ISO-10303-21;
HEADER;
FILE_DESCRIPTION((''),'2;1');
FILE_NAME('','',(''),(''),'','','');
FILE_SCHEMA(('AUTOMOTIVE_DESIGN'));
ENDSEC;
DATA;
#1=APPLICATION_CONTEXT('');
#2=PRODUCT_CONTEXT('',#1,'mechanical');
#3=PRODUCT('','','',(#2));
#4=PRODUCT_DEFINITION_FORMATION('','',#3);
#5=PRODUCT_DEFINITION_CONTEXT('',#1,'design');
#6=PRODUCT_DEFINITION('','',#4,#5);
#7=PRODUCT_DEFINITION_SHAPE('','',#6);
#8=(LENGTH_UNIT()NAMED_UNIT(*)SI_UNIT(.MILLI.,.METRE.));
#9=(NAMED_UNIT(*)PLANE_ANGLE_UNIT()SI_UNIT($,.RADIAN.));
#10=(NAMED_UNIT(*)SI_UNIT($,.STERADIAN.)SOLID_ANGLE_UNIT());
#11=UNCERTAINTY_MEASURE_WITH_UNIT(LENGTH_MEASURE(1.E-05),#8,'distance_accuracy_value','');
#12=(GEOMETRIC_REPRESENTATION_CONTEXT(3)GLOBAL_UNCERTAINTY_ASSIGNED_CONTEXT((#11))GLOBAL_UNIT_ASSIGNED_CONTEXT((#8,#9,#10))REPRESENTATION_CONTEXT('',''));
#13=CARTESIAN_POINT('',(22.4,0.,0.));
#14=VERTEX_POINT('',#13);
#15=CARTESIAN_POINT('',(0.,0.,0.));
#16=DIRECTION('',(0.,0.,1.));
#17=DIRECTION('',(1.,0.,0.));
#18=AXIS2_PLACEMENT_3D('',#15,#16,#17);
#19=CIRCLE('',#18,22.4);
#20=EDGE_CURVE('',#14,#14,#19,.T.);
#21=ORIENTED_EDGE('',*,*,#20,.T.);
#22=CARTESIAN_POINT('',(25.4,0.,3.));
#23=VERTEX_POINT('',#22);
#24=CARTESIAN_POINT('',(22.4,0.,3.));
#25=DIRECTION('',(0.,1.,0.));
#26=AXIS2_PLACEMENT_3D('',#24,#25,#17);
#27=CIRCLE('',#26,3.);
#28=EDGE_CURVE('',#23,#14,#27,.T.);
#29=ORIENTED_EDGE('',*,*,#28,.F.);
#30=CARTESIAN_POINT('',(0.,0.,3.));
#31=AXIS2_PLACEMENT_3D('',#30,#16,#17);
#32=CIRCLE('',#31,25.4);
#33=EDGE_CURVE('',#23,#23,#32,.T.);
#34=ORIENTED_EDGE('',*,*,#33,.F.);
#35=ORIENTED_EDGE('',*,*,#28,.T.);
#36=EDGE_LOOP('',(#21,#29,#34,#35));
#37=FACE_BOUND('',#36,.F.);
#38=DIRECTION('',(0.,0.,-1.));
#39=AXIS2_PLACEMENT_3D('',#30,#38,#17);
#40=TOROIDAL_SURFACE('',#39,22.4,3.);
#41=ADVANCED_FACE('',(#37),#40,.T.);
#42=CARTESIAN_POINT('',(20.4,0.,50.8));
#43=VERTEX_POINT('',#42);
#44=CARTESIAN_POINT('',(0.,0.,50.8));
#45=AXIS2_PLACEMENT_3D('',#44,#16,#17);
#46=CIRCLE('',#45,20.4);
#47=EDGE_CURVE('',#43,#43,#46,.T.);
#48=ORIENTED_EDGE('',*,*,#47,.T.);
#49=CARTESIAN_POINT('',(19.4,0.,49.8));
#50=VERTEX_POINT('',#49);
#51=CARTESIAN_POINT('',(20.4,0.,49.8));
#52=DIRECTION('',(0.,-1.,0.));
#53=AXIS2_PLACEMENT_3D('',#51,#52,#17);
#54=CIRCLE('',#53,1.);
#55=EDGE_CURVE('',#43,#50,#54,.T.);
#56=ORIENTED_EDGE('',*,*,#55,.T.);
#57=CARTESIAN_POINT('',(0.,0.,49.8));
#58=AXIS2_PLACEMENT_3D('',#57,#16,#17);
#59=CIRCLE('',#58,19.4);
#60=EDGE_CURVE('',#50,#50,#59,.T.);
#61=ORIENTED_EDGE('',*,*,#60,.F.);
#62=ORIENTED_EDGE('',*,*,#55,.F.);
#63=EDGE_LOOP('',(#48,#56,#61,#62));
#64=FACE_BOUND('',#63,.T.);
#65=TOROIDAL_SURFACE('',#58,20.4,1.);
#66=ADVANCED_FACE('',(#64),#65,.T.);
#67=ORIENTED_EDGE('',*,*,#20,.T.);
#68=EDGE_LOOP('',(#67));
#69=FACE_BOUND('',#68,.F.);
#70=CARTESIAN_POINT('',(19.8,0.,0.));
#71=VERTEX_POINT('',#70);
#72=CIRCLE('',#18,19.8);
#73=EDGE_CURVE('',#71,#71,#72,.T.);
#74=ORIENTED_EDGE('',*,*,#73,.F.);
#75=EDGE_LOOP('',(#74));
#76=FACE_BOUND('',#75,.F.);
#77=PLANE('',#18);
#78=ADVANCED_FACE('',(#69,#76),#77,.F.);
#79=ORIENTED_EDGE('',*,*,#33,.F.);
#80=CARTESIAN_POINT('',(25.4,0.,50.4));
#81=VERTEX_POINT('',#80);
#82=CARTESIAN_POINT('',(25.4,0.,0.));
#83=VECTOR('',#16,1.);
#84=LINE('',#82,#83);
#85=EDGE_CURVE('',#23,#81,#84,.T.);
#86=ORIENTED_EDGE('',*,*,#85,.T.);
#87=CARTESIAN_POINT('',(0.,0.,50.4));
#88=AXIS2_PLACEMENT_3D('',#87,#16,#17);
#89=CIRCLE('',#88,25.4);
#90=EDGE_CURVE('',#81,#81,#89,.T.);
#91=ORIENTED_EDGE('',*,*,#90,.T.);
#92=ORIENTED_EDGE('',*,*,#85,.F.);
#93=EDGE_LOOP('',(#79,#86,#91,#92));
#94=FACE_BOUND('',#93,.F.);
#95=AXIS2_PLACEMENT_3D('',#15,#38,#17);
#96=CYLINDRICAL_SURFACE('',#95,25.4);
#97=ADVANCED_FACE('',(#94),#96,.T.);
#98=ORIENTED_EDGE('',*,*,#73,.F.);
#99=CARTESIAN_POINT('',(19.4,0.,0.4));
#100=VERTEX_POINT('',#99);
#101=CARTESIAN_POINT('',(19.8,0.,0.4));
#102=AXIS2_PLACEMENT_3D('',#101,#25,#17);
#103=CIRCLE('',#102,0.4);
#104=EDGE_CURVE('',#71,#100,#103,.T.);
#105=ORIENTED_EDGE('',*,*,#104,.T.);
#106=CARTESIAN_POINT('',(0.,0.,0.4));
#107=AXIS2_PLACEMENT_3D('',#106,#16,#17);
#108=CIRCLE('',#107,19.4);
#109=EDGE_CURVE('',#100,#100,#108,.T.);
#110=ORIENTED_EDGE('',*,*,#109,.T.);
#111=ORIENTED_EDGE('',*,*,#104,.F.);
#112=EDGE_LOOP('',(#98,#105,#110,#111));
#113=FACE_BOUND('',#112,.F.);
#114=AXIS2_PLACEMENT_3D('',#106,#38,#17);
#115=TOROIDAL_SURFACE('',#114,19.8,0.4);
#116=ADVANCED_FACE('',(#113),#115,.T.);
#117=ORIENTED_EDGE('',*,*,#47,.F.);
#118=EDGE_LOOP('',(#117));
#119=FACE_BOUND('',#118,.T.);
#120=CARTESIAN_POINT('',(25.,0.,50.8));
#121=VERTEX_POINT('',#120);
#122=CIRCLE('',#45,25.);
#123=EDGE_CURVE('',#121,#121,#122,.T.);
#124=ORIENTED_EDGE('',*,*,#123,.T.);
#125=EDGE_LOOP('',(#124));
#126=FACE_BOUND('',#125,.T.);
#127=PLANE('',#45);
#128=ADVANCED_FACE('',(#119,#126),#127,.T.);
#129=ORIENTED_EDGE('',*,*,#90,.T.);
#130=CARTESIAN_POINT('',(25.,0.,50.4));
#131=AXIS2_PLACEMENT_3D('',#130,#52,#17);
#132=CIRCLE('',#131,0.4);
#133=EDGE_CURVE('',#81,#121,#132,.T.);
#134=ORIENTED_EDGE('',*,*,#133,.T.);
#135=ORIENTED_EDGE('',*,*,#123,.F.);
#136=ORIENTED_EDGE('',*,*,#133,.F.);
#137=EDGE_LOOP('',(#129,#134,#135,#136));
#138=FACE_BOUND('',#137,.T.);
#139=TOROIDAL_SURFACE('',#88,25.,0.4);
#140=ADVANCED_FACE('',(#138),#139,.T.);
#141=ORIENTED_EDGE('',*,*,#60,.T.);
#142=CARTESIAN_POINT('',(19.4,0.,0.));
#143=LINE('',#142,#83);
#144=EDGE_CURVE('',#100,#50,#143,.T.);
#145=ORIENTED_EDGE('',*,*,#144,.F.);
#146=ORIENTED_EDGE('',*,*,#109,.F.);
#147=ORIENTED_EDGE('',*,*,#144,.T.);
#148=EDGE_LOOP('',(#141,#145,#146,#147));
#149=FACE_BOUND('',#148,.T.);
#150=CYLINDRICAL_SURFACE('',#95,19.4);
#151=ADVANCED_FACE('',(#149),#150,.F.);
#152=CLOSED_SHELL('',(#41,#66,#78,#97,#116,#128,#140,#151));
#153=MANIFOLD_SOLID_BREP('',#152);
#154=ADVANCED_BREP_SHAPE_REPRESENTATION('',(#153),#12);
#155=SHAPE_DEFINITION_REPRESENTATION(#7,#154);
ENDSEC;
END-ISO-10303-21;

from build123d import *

# Parameters (mm, degrees)
F0_R     = 25.4
F0_R_2   = 19.4
F1_DEPTH = 50.8
F2_R     = 3
F3_R     = 0.4
F4_R     = 1


with BuildPart() as f1:
    # F0 (on Top) → F1 (new body)
    with BuildSketch(Plane.XY):
        Circle(F0_R)
        Circle(F0_R_2, mode=Mode.SUBTRACT)
    extrude(amount=F1_DEPTH)

    # F2
    f2_edges = [f1.edges().sort_by_distance(p)[0] for p in [
        (-25.4, 0, 0),
    ]]
    fillet(f2_edges, radius=F2_R)

    # F3
    f3_edges = [f1.edges().sort_by_distance(p)[0] for p in [
        (-25.4, 0, 50.8),
        (-19.4, 0, 0),
    ]]
    fillet(f3_edges, radius=F3_R)

    # F4
    f4_edges = [f1.edges().sort_by_distance(p)[0] for p in [
        (-19.4, 0, 50.8),
    ]]
    fillet(f4_edges, radius=F4_R)


solid = f1.part
